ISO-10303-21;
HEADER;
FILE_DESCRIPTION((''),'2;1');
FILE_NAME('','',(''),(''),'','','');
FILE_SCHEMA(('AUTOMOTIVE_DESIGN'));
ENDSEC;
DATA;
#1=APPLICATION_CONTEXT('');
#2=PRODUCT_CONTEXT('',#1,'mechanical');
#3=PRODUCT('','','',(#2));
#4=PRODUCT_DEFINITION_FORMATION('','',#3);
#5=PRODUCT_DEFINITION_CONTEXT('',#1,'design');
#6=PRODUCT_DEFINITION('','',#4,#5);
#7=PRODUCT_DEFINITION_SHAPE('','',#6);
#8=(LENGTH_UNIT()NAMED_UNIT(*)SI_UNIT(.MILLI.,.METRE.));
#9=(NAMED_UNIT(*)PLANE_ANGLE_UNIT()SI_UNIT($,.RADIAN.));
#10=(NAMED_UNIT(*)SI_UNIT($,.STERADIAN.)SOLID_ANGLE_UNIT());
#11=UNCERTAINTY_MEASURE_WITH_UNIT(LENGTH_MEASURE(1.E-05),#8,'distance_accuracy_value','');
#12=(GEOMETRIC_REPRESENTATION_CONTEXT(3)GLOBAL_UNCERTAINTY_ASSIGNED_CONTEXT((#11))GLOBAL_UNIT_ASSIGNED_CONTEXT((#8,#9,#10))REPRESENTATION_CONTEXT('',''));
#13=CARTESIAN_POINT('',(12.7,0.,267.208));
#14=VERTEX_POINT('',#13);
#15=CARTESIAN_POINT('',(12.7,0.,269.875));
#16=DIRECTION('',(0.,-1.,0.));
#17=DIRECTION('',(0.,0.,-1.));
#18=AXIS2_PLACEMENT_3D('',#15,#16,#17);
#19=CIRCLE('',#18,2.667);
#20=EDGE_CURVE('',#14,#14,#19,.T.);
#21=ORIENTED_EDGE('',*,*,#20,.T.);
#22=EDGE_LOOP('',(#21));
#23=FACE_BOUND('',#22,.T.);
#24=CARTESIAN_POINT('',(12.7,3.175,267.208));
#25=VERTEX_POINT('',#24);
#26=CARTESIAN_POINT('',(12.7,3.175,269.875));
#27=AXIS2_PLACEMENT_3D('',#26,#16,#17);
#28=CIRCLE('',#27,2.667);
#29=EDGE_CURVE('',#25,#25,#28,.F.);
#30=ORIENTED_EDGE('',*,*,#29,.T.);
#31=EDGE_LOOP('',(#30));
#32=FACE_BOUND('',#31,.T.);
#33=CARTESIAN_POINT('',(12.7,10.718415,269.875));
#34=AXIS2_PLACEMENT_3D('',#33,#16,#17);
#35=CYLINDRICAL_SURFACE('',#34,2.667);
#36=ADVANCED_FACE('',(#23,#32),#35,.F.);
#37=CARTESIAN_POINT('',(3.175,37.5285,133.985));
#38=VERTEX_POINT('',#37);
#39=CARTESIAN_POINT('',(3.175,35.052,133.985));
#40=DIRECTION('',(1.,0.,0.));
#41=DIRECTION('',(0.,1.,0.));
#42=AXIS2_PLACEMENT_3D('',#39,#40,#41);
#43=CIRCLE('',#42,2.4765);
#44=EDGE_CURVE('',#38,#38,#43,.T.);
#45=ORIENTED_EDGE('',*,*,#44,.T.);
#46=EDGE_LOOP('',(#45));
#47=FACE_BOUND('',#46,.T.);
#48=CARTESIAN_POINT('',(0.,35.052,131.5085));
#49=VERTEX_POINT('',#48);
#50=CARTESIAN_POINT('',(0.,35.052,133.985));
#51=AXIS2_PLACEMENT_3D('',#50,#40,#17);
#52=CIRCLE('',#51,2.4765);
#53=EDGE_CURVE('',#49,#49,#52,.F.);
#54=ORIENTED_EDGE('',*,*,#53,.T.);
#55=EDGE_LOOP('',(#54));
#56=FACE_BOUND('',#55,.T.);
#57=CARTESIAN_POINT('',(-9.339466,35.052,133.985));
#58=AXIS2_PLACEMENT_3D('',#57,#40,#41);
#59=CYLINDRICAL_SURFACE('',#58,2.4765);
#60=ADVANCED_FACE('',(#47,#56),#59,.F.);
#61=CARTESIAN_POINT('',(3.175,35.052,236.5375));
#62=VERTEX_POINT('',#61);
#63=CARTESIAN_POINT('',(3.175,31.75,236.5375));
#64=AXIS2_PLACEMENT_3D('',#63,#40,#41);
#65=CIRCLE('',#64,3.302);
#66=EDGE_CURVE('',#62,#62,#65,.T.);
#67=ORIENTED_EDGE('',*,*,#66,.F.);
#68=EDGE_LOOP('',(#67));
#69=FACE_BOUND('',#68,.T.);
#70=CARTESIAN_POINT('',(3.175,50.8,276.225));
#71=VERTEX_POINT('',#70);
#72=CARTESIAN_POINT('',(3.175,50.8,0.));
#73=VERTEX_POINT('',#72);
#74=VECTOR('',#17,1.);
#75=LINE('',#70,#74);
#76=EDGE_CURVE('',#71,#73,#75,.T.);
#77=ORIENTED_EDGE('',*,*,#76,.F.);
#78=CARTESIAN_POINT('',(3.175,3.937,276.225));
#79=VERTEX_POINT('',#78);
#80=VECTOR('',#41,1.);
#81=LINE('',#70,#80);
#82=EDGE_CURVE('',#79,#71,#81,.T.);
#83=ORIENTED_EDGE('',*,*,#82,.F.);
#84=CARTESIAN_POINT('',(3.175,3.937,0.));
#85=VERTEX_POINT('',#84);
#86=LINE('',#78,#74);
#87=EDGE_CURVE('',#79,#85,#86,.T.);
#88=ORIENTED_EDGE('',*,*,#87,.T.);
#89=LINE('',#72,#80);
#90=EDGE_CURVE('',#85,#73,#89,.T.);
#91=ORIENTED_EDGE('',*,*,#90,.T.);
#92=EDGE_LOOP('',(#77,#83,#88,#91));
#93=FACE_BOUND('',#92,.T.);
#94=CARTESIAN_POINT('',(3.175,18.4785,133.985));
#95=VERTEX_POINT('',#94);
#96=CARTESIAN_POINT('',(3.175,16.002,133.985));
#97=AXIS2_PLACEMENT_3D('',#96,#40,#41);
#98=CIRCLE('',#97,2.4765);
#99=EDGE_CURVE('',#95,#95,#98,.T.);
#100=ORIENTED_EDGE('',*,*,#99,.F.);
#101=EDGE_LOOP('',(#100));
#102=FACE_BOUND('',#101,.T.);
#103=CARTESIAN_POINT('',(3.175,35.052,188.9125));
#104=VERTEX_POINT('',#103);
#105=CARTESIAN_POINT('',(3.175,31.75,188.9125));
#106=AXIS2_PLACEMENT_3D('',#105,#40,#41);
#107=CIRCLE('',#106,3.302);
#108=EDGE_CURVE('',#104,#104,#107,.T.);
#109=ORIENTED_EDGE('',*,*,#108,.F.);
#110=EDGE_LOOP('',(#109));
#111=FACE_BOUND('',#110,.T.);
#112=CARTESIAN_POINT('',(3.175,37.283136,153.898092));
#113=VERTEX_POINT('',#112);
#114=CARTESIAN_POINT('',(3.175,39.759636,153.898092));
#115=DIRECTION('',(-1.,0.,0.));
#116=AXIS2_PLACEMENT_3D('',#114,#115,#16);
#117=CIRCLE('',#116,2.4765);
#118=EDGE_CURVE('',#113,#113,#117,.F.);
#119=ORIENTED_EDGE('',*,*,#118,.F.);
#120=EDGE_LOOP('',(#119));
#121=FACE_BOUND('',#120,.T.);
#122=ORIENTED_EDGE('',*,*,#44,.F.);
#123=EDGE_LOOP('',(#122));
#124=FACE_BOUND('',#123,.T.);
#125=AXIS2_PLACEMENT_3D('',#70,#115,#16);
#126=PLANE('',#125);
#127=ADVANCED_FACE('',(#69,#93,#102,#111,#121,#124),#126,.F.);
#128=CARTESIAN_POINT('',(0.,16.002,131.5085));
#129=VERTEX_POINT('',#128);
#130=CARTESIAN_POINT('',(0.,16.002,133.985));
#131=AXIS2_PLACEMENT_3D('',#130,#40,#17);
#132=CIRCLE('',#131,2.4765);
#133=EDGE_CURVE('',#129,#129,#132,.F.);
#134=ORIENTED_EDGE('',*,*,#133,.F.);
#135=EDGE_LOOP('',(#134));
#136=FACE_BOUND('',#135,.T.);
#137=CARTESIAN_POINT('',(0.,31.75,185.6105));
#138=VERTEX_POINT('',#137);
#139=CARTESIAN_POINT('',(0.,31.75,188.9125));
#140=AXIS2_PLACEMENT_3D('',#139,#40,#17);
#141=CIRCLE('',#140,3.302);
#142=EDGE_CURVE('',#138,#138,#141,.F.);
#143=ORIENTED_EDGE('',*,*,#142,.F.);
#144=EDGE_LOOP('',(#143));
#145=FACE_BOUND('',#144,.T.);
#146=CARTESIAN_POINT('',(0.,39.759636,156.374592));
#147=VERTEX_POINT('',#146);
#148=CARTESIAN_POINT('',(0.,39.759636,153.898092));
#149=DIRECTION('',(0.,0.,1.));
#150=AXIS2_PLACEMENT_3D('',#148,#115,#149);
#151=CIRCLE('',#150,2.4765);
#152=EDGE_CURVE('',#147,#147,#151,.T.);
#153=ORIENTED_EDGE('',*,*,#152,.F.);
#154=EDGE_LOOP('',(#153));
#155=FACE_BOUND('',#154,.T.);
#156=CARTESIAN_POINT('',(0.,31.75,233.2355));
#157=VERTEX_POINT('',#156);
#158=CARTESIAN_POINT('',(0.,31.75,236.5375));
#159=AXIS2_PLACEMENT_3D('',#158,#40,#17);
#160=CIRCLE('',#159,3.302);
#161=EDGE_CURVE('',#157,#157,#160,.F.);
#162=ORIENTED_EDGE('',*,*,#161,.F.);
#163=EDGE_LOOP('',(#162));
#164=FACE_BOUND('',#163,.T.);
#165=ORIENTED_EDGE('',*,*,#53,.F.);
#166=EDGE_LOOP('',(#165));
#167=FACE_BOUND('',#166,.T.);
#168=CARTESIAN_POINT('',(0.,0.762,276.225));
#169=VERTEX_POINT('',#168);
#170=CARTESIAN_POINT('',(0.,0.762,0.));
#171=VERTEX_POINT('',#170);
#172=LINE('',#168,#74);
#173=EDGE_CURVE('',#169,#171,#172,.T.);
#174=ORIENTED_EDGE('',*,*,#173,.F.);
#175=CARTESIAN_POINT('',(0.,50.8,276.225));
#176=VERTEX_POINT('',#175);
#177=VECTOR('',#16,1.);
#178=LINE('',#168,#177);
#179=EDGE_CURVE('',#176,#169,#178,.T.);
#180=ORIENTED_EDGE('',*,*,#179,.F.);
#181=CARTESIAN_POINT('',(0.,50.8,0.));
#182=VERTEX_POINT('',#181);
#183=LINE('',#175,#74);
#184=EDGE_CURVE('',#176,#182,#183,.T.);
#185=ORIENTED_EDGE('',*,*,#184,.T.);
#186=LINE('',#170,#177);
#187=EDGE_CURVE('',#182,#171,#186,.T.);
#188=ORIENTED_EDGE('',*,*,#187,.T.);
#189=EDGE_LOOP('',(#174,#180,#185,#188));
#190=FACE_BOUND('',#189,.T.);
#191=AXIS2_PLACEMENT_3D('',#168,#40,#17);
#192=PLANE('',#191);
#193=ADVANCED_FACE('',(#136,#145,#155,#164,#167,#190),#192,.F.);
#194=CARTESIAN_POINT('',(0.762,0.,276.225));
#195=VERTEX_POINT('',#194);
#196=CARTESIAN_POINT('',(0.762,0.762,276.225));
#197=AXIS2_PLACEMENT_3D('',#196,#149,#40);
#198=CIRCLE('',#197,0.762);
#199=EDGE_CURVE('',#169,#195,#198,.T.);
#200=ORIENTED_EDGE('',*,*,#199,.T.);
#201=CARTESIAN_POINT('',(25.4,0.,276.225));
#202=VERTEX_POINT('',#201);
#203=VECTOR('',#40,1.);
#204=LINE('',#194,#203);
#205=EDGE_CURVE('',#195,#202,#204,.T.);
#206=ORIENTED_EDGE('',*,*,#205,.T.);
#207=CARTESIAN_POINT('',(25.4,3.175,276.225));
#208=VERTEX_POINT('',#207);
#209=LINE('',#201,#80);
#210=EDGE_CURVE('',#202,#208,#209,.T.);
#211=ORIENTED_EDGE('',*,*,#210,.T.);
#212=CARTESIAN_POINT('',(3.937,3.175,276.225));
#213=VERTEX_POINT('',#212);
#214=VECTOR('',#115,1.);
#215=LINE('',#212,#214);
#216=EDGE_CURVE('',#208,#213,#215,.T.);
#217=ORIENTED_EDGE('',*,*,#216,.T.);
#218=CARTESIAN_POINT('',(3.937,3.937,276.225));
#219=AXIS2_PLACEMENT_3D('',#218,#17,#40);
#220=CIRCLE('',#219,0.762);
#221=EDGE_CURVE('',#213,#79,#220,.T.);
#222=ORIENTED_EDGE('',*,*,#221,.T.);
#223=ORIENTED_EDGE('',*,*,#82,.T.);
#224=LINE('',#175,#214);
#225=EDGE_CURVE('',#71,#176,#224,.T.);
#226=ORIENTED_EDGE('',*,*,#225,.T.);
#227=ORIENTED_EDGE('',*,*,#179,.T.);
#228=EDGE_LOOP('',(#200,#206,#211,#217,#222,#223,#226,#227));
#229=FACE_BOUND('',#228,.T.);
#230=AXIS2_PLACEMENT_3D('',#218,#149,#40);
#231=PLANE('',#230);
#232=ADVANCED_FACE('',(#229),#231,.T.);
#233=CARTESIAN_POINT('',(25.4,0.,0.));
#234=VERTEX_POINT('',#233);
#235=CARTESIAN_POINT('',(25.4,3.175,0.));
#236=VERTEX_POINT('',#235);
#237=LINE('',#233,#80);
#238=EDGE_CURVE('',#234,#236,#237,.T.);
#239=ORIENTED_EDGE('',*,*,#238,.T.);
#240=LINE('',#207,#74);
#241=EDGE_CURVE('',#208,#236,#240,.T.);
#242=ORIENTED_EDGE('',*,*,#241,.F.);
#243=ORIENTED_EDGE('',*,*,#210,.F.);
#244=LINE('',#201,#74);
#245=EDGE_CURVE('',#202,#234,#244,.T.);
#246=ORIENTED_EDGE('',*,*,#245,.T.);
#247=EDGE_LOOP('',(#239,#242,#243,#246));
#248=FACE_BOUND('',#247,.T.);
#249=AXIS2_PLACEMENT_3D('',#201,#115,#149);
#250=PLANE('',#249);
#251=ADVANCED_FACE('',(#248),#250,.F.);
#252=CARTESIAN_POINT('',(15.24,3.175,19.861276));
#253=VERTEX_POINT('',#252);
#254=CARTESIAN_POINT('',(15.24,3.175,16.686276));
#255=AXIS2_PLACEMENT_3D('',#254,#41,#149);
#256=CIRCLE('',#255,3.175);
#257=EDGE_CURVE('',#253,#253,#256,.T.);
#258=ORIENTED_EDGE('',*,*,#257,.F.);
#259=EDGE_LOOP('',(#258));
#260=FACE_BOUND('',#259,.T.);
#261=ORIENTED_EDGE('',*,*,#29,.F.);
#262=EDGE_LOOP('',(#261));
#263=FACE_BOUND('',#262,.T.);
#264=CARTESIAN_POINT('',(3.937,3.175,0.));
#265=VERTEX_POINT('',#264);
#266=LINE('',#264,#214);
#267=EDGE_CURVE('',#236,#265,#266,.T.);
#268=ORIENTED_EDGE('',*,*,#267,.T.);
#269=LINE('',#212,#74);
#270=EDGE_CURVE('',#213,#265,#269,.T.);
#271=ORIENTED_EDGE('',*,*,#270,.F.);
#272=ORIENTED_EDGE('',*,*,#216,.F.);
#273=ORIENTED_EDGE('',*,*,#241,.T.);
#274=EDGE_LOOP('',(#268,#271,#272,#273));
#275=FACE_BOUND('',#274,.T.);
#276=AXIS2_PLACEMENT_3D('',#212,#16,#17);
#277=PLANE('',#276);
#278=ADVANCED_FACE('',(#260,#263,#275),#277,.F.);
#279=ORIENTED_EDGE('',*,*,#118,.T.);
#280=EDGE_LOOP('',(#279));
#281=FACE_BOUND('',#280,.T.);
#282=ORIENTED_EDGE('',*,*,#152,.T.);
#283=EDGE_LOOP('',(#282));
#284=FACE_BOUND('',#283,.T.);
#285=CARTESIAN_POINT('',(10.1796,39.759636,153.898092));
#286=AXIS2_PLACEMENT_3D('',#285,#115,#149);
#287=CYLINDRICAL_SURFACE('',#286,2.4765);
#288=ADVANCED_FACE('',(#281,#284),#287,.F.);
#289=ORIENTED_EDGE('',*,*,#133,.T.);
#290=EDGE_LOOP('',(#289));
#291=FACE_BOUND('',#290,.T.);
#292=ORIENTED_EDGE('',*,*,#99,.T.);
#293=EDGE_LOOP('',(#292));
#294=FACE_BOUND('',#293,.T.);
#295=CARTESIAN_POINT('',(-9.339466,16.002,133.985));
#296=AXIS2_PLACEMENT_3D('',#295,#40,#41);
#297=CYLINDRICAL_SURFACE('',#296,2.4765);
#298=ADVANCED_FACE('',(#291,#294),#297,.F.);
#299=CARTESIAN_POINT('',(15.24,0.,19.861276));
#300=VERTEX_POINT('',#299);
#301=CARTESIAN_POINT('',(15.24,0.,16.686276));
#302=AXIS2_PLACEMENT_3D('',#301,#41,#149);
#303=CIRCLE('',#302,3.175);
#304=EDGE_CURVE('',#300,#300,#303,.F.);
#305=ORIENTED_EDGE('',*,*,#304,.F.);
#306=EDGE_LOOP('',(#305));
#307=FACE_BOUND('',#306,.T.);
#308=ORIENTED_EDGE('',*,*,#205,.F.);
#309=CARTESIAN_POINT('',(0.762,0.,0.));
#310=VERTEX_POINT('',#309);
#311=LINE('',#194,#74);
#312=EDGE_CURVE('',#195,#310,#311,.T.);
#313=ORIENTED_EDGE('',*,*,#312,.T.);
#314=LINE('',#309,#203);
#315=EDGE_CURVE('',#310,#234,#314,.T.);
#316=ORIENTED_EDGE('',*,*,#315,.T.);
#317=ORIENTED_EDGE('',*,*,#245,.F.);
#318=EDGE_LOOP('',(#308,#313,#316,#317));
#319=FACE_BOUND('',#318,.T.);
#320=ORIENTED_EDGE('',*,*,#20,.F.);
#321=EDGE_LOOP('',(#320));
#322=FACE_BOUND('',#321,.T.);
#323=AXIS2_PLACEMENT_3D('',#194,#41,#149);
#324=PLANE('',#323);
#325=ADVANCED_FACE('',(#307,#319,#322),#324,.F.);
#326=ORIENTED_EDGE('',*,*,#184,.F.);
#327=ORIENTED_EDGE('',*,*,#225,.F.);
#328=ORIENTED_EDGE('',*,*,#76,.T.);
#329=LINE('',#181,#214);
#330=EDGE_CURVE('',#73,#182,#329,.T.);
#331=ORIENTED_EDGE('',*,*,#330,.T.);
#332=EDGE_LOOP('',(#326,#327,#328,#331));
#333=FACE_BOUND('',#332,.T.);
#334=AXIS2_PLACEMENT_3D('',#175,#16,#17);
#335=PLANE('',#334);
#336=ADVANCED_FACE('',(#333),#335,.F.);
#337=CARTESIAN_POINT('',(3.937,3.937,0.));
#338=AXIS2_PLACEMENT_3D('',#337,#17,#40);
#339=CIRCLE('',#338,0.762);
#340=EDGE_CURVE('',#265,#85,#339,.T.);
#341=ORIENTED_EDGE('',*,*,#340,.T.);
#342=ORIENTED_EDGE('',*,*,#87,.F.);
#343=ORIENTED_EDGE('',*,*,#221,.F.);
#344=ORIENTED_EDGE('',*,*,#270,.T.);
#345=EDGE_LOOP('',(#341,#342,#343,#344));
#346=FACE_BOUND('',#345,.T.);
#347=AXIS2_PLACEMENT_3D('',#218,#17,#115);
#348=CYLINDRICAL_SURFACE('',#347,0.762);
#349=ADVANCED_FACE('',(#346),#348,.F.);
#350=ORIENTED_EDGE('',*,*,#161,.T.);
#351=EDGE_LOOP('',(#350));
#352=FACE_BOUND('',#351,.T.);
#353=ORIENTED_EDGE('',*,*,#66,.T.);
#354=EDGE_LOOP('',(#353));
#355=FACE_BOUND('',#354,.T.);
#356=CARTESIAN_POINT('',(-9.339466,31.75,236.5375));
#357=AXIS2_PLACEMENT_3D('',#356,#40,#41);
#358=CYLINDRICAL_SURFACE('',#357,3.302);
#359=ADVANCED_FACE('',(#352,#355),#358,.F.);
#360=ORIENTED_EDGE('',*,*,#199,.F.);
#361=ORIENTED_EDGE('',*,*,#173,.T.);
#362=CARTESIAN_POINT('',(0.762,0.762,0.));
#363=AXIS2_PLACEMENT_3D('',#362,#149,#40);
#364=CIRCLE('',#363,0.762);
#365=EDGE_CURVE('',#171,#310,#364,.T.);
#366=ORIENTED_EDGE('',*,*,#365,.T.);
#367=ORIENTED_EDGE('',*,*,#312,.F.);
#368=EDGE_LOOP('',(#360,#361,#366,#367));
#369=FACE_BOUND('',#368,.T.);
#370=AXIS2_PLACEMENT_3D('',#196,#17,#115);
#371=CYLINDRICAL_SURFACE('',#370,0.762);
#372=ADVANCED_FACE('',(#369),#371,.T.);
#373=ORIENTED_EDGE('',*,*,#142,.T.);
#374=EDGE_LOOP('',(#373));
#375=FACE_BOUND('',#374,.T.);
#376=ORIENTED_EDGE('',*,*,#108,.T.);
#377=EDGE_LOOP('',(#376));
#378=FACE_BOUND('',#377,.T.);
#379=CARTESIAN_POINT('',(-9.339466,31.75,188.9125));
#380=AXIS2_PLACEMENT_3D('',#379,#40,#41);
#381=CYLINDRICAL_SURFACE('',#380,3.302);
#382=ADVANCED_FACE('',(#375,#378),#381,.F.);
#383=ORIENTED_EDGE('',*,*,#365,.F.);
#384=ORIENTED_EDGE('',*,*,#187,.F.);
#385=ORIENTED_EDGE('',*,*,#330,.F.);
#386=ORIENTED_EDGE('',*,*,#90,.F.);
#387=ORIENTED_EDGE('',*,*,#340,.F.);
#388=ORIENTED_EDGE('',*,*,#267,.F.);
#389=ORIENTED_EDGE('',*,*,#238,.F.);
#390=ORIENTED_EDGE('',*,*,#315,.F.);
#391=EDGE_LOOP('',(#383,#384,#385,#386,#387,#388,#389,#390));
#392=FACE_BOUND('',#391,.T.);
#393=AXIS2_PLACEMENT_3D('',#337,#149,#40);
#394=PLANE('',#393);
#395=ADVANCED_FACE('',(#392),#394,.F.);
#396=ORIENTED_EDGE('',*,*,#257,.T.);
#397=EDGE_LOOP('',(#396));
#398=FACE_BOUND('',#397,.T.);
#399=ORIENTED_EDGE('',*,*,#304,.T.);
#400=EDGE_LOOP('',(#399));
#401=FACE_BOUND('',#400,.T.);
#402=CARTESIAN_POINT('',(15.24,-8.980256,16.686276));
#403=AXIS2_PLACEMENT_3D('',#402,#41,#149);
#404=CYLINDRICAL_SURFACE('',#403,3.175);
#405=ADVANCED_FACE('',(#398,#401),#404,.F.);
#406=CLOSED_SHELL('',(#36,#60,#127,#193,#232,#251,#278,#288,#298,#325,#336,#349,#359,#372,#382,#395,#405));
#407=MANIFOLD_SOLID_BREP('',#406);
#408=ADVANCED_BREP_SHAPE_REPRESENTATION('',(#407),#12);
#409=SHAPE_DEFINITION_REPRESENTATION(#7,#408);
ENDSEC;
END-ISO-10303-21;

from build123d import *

# Parameters (mm, degrees)
BOSS_EXTRUDE1_DEPTH = 276.225
SKETCH3_R           = 2.667
CUT_EXTRUDE2_DEPTH  = 3.175
SKETCH4_R           = 3.302
SKETCH4_R_2         = 2.4765
CUT_EXTRUDE3_DEPTH  = 3.175
SKETCH8_R           = 2.4765
CUT_EXTRUDE5_DEPTH  = 3.175
SKETCH9_R           = 3.175
CUT_EXTRUDE6_DEPTH  = 3.175


with BuildPart() as part:
    # Sketch1 → Boss-Extrude1 (new body)
    with BuildSketch(Plane.XY):
        with BuildLine():
            Line((3.175, 50.8), (3.175, 3.937))
            ThreePointArc((3.175, 3.937), (3.398184633, 3.398184633), (3.937, 3.175))
            Line((3.937, 3.175), (25.4, 3.175))
            Line((25.4, 3.175), (25.4, 0))
            Line((25.4, 0), (0.762, 0))
            ThreePointArc((0.762, 0), (0.223184633, 0.223184633), (0, 0.762))
            Line((0, 0.762), (0, 50.8))
            Line((0, 50.8), (3.175, 50.8))
        make_face()
    extrude(amount=BOSS_EXTRUDE1_DEPTH)

    # Sketch3 → Cut-Extrude2 (cut)
    with BuildSketch(Plane.XZ):
        with Locations(Location((12.7, 269.875, 0), (0, 0, 270))):
            Circle(SKETCH3_R)
    extrude(amount=-CUT_EXTRUDE2_DEPTH, mode=Mode.SUBTRACT)

    # Sketch4 → Cut-Extrude3 (cut)
    with BuildSketch(Plane(origin=(3.175, 0, 0), x_dir=(0, 0, -1), z_dir=(1, 0, 0))):
        with Locations(Location((-188.9125, 31.75, 0), (0, 0, 90))):
            Circle(SKETCH4_R)
        with Locations(Location((-236.5375, 31.75, 0), (0, 0, 90))):
            Circle(SKETCH4_R)
        with Locations(Location((-133.985, 16.002, 0), (0, 0, 90))):
            Circle(SKETCH4_R_2)
        with Locations(Location((-133.985, 35.052, 0), (0, 0, 90))):
            Circle(SKETCH4_R_2)
    extrude(amount=-CUT_EXTRUDE3_DEPTH, mode=Mode.SUBTRACT)

    # Sketch8 → Cut-Extrude5 (cut)
    with BuildSketch(Plane.ZY):
        with Locations((153.898092, 39.759636)):
            Circle(SKETCH8_R)
    extrude(amount=-CUT_EXTRUDE5_DEPTH, mode=Mode.SUBTRACT)

    # Sketch9 → Cut-Extrude6 (cut)
    with BuildSketch(Plane(origin=(0, 3.175, 0), x_dir=(1, 0, 0), z_dir=(0, 1, 0))):
        with Locations(Location((15.24, -16.686276, 0), (0, 0, 270))):
            Circle(SKETCH9_R)
    extrude(amount=-CUT_EXTRUDE6_DEPTH, mode=Mode.SUBTRACT)


solid = part.part
